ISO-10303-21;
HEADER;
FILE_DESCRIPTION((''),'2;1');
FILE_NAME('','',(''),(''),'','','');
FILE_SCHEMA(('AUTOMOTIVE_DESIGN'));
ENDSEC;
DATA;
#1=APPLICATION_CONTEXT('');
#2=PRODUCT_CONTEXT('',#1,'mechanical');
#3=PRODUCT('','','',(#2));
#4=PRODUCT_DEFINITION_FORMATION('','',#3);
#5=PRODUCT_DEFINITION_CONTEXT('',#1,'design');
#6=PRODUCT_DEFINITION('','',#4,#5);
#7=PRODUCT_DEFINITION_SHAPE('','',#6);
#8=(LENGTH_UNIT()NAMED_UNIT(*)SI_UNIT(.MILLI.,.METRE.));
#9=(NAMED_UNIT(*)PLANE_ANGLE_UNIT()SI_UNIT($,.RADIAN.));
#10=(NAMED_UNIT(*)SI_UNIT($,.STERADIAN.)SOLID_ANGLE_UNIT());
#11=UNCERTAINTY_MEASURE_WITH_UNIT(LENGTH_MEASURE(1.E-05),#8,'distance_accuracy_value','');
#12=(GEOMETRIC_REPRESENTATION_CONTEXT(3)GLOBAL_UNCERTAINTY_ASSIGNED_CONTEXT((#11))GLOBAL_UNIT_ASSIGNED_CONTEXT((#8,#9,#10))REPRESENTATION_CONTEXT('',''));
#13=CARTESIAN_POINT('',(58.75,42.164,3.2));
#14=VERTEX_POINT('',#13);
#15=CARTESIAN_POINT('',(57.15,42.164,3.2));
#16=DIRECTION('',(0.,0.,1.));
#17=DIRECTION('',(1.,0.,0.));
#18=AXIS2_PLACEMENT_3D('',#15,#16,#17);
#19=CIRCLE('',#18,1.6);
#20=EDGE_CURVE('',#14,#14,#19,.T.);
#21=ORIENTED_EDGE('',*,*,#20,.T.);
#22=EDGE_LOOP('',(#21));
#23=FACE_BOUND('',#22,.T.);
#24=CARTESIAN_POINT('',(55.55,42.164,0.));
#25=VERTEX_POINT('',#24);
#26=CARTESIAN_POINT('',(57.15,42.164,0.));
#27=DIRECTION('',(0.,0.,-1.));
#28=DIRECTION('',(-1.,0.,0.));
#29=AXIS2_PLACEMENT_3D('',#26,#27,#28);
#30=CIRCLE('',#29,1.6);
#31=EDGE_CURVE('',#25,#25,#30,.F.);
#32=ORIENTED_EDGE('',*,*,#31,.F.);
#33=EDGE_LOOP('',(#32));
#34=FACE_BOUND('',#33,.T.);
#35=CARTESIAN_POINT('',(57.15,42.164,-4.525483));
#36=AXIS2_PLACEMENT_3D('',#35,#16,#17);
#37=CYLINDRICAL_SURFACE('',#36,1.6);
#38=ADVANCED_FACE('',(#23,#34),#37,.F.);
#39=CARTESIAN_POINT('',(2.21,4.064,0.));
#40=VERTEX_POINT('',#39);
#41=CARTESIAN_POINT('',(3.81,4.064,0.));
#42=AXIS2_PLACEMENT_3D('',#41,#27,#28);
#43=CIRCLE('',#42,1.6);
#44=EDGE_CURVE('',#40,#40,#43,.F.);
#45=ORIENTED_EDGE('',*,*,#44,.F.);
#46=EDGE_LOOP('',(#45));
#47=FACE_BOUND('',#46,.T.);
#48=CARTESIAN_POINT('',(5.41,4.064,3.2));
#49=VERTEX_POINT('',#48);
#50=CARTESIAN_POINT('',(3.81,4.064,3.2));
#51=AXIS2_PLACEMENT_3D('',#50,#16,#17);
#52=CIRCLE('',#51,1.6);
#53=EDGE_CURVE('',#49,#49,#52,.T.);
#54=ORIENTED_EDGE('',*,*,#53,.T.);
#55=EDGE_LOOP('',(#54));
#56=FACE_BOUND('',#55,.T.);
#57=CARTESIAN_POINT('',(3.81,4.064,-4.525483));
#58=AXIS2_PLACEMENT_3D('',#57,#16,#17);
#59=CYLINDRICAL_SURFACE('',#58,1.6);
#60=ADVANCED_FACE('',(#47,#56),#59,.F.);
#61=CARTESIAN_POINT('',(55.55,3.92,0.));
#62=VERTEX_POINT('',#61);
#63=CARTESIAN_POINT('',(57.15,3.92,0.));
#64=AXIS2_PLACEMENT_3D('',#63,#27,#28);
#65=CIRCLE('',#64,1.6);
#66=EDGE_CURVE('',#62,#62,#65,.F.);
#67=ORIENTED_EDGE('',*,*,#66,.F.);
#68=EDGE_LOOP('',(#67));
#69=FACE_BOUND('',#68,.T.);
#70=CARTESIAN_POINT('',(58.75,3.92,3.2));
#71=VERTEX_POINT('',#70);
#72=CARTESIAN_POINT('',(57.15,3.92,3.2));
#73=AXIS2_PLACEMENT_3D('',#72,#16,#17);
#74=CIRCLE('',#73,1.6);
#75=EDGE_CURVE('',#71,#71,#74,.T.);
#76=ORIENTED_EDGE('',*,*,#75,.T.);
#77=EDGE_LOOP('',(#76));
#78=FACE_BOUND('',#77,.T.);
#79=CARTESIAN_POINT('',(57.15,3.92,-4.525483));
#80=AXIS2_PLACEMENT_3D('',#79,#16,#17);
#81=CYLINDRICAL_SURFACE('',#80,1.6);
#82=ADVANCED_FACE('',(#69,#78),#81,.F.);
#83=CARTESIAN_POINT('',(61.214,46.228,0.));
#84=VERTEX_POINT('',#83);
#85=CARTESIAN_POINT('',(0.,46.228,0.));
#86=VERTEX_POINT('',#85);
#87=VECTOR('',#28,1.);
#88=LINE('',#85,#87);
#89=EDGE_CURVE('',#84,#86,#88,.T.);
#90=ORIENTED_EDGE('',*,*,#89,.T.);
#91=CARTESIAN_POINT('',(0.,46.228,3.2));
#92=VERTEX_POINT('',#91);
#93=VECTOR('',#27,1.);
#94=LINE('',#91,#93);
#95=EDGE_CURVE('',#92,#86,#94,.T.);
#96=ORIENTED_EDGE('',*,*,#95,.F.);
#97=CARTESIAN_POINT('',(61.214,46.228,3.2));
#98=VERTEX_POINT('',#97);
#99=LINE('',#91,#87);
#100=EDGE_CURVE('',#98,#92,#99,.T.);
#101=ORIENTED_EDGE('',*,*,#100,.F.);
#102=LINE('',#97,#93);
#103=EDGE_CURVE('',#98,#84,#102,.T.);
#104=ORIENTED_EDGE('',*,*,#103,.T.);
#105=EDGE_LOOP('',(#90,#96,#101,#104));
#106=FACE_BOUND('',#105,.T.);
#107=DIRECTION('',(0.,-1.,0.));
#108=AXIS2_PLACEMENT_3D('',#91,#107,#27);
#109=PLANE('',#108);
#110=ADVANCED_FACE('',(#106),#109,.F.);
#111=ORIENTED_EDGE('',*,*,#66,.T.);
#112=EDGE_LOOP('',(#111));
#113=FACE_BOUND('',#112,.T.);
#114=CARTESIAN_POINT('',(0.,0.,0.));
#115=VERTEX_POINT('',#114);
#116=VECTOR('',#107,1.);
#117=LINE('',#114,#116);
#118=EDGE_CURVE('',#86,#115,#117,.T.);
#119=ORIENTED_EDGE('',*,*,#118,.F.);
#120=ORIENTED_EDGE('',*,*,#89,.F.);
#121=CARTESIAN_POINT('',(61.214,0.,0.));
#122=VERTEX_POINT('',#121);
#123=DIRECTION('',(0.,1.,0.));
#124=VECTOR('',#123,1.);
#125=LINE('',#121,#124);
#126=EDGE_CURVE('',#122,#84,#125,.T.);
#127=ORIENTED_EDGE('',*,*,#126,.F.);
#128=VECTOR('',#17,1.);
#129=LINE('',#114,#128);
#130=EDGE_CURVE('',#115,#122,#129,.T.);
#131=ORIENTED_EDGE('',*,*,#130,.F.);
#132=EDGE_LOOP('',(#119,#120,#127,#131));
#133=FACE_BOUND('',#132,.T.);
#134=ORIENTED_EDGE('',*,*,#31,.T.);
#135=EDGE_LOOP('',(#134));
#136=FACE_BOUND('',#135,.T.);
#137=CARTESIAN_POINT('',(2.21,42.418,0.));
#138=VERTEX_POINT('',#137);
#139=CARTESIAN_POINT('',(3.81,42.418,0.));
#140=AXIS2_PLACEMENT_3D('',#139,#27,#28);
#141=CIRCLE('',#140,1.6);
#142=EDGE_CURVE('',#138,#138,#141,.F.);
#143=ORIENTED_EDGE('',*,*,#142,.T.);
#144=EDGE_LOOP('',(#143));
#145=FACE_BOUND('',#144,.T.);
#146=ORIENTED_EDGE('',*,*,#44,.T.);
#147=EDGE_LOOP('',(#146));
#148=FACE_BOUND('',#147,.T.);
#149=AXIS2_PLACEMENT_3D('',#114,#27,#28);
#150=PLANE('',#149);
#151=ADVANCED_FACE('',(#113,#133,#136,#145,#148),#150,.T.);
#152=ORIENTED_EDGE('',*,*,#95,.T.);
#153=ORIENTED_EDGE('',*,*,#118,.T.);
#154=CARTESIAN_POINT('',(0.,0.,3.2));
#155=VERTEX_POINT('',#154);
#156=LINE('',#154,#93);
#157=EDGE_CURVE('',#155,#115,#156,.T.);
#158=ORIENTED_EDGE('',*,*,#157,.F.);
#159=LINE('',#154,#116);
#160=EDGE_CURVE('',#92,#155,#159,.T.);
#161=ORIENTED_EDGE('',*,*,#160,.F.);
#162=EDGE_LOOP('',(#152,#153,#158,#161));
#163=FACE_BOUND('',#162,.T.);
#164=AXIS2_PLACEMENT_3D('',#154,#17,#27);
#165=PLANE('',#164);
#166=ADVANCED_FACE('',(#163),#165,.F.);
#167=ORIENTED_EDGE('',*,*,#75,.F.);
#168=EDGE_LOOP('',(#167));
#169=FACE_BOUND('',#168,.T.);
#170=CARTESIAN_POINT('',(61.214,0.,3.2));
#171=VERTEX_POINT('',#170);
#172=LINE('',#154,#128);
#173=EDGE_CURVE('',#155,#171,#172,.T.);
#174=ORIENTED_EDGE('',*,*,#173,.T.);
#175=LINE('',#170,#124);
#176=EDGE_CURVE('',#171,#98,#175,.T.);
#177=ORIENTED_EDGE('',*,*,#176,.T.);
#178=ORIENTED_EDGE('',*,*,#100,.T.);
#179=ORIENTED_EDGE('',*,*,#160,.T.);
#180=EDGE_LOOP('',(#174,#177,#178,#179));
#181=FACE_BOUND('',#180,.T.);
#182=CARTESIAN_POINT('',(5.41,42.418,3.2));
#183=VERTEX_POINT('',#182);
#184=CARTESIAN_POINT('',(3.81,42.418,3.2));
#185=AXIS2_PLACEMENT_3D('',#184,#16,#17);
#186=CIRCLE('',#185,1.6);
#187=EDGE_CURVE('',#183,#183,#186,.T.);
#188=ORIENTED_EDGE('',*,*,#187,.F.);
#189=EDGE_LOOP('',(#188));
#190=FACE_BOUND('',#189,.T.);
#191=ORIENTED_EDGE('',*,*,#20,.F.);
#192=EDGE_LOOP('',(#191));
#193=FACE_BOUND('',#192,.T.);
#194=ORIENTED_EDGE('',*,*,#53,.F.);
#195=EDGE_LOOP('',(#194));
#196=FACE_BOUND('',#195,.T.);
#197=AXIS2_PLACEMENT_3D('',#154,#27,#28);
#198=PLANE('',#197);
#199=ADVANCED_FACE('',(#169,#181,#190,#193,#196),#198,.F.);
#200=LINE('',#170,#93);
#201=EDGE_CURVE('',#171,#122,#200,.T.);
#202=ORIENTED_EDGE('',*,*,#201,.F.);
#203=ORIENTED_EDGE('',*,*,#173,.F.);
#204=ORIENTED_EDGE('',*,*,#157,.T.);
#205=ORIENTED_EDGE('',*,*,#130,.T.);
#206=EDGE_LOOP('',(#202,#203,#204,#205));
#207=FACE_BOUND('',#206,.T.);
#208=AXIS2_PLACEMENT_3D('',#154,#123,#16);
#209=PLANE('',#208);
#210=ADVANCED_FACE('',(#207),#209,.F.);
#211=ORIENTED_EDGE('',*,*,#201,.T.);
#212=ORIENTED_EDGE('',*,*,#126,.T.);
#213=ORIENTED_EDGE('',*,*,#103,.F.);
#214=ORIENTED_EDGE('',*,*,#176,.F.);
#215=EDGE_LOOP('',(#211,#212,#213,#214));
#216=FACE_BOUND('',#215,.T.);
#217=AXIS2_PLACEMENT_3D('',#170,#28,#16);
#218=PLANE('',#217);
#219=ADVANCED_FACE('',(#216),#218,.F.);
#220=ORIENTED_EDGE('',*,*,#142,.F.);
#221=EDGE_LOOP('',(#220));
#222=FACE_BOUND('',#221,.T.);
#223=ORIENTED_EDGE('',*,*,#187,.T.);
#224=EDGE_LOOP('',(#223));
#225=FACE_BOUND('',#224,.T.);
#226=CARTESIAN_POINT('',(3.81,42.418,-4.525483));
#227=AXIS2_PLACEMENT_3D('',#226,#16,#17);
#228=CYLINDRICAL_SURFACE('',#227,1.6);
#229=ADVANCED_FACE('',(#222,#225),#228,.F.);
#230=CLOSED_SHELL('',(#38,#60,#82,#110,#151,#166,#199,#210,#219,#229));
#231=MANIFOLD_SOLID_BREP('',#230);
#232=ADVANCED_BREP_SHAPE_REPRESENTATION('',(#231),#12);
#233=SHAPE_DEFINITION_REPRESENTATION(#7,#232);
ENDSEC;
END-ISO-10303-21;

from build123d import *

# Parameters (mm, degrees)
ESQUISSE1_W             = 61.214
ESQUISSE1_H             = 46.228
BOSS_EXTRU_1_DEPTH      = 3.2
ESQUISSE2_R             = 1.6
ENL_V_MAT_EXTRU_1_DEPTH = 3.2


with BuildPart() as part:
    # Esquisse1 → Boss.-Extru.1 (new body)
    with BuildSketch(Plane.XY):
        with Locations((30.607, 23.114)):
            Rectangle(ESQUISSE1_W, ESQUISSE1_H)
    extrude(amount=BOSS_EXTRU_1_DEPTH)

    # Esquisse2 → Enlèv. mat.-Extru.1 (cut)
    with BuildSketch(Plane.XY.offset(3.2)):
        with Locations((3.81, 4.064)):
            Circle(ESQUISSE2_R)
        with Locations((3.81, 42.418)):
            Circle(ESQUISSE2_R)
        with Locations((57.15, 42.164)):
            Circle(ESQUISSE2_R)
        with Locations((57.15, 3.92)):
            Circle(ESQUISSE2_R)
    extrude(amount=-ENL_V_MAT_EXTRU_1_DEPTH, mode=Mode.SUBTRACT)


solid = part.part
